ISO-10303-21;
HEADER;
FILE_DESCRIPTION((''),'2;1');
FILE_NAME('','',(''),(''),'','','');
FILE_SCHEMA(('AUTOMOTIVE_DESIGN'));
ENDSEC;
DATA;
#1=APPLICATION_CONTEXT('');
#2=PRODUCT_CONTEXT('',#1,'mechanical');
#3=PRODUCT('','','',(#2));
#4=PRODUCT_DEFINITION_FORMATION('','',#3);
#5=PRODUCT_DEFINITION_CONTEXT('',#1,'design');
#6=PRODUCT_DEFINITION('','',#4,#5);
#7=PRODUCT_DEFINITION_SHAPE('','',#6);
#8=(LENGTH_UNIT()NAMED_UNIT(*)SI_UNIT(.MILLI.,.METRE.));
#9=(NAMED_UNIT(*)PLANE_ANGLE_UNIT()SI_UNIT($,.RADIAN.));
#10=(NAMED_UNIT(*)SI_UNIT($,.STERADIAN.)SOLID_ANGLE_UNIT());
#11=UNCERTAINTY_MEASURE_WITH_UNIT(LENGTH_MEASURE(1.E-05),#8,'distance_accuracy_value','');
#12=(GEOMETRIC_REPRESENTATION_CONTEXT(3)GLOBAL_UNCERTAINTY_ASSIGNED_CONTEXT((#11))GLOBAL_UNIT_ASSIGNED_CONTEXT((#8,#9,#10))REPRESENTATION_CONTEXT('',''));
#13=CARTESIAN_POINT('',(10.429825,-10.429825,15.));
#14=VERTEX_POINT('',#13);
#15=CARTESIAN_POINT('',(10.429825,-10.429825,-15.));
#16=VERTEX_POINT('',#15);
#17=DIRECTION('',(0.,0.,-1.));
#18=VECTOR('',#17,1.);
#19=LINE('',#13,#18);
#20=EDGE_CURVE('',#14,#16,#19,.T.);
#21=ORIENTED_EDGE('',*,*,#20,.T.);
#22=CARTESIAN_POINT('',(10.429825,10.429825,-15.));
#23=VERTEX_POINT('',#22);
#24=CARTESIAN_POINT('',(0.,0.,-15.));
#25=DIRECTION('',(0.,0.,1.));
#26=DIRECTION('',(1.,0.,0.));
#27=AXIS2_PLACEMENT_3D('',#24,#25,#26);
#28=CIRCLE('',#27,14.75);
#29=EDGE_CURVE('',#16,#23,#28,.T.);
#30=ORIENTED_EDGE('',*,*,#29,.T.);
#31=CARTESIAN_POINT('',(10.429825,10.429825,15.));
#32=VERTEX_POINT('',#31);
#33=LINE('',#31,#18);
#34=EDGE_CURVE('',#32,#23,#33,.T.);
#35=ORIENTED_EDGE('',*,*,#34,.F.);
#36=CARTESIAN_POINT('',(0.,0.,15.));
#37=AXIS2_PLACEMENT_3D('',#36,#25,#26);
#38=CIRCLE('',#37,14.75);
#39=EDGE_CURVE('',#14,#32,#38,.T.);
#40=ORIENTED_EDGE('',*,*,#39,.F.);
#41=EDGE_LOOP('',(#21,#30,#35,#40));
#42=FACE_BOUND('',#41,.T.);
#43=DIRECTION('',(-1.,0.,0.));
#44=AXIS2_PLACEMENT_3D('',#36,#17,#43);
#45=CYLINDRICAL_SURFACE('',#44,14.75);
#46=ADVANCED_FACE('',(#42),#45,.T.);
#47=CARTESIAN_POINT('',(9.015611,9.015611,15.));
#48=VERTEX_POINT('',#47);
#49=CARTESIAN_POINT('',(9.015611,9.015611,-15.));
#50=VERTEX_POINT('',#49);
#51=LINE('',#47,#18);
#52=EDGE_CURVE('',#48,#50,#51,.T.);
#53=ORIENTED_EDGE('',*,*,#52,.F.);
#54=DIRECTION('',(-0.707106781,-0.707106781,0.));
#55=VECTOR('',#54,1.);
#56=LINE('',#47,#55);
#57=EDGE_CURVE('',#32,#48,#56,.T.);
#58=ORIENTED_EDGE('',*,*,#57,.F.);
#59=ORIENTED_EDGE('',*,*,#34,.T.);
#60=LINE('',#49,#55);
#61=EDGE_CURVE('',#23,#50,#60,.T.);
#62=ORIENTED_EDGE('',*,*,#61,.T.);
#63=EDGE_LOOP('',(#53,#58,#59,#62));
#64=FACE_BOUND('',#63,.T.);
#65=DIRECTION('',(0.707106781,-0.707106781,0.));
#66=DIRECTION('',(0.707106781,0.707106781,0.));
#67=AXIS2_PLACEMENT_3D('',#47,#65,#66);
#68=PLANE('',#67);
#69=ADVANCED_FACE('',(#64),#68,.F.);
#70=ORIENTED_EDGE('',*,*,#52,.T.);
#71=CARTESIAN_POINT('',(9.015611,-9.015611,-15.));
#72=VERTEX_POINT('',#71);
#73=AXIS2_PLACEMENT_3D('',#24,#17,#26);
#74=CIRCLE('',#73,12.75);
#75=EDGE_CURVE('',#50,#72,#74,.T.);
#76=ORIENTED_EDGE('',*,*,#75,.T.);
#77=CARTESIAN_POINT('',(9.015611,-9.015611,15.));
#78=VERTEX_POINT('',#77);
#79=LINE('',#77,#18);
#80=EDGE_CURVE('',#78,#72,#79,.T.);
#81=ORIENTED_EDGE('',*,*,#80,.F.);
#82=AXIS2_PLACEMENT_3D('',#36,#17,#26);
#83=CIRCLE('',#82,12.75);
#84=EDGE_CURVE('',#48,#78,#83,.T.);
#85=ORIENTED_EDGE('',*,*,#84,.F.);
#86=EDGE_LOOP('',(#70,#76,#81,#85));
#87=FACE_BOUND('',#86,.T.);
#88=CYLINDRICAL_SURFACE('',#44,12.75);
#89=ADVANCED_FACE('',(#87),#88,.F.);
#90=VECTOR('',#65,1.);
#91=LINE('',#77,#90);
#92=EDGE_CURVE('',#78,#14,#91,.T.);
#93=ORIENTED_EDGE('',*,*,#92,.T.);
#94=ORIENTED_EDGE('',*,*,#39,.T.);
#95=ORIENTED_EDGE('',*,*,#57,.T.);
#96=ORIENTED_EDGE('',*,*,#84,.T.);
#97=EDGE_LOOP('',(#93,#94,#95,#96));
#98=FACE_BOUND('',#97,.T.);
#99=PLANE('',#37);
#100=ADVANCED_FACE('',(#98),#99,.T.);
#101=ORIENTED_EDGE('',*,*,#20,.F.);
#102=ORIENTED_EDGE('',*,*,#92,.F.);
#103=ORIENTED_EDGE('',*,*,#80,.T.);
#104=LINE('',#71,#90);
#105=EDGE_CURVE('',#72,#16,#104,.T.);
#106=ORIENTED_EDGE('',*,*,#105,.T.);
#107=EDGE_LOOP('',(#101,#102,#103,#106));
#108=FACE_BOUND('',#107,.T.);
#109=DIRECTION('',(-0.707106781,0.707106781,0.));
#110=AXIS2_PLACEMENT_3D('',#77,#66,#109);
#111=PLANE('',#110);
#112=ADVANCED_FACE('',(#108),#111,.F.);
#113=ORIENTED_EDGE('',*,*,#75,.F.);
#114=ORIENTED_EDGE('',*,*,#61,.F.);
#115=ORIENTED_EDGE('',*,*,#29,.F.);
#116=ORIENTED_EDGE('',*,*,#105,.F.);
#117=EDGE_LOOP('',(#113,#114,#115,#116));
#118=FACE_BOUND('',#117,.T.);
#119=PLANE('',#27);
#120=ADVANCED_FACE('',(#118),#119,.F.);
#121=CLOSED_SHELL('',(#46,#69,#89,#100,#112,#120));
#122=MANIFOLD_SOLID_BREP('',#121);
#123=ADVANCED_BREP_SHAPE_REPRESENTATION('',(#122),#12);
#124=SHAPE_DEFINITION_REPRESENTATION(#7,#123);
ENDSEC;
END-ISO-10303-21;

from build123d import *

# Parameters (mm, degrees)
BOSS_EXTRUDE1_DEPTH = 15


with BuildPart() as part:
    # Sketch1 → Boss-Extrude1 (new body, symmetric)
    with BuildSketch(Plane.XY):
        with BuildLine():
            Line((9.01561146, 9.01561146), (10.429825023, 10.429825023))
            ThreePointArc((10.429825023, 10.429825023), (14.75, 0), (10.429825023, -10.429825023))
            Line((10.429825023, -10.429825023), (9.01561146, -9.01561146))
            ThreePointArc((9.01561146, -9.01561146), (12.75, 0), (9.01561146, 9.01561146))
        make_face()
    extrude(amount=BOSS_EXTRUDE1_DEPTH, both=True)


solid = part.part
